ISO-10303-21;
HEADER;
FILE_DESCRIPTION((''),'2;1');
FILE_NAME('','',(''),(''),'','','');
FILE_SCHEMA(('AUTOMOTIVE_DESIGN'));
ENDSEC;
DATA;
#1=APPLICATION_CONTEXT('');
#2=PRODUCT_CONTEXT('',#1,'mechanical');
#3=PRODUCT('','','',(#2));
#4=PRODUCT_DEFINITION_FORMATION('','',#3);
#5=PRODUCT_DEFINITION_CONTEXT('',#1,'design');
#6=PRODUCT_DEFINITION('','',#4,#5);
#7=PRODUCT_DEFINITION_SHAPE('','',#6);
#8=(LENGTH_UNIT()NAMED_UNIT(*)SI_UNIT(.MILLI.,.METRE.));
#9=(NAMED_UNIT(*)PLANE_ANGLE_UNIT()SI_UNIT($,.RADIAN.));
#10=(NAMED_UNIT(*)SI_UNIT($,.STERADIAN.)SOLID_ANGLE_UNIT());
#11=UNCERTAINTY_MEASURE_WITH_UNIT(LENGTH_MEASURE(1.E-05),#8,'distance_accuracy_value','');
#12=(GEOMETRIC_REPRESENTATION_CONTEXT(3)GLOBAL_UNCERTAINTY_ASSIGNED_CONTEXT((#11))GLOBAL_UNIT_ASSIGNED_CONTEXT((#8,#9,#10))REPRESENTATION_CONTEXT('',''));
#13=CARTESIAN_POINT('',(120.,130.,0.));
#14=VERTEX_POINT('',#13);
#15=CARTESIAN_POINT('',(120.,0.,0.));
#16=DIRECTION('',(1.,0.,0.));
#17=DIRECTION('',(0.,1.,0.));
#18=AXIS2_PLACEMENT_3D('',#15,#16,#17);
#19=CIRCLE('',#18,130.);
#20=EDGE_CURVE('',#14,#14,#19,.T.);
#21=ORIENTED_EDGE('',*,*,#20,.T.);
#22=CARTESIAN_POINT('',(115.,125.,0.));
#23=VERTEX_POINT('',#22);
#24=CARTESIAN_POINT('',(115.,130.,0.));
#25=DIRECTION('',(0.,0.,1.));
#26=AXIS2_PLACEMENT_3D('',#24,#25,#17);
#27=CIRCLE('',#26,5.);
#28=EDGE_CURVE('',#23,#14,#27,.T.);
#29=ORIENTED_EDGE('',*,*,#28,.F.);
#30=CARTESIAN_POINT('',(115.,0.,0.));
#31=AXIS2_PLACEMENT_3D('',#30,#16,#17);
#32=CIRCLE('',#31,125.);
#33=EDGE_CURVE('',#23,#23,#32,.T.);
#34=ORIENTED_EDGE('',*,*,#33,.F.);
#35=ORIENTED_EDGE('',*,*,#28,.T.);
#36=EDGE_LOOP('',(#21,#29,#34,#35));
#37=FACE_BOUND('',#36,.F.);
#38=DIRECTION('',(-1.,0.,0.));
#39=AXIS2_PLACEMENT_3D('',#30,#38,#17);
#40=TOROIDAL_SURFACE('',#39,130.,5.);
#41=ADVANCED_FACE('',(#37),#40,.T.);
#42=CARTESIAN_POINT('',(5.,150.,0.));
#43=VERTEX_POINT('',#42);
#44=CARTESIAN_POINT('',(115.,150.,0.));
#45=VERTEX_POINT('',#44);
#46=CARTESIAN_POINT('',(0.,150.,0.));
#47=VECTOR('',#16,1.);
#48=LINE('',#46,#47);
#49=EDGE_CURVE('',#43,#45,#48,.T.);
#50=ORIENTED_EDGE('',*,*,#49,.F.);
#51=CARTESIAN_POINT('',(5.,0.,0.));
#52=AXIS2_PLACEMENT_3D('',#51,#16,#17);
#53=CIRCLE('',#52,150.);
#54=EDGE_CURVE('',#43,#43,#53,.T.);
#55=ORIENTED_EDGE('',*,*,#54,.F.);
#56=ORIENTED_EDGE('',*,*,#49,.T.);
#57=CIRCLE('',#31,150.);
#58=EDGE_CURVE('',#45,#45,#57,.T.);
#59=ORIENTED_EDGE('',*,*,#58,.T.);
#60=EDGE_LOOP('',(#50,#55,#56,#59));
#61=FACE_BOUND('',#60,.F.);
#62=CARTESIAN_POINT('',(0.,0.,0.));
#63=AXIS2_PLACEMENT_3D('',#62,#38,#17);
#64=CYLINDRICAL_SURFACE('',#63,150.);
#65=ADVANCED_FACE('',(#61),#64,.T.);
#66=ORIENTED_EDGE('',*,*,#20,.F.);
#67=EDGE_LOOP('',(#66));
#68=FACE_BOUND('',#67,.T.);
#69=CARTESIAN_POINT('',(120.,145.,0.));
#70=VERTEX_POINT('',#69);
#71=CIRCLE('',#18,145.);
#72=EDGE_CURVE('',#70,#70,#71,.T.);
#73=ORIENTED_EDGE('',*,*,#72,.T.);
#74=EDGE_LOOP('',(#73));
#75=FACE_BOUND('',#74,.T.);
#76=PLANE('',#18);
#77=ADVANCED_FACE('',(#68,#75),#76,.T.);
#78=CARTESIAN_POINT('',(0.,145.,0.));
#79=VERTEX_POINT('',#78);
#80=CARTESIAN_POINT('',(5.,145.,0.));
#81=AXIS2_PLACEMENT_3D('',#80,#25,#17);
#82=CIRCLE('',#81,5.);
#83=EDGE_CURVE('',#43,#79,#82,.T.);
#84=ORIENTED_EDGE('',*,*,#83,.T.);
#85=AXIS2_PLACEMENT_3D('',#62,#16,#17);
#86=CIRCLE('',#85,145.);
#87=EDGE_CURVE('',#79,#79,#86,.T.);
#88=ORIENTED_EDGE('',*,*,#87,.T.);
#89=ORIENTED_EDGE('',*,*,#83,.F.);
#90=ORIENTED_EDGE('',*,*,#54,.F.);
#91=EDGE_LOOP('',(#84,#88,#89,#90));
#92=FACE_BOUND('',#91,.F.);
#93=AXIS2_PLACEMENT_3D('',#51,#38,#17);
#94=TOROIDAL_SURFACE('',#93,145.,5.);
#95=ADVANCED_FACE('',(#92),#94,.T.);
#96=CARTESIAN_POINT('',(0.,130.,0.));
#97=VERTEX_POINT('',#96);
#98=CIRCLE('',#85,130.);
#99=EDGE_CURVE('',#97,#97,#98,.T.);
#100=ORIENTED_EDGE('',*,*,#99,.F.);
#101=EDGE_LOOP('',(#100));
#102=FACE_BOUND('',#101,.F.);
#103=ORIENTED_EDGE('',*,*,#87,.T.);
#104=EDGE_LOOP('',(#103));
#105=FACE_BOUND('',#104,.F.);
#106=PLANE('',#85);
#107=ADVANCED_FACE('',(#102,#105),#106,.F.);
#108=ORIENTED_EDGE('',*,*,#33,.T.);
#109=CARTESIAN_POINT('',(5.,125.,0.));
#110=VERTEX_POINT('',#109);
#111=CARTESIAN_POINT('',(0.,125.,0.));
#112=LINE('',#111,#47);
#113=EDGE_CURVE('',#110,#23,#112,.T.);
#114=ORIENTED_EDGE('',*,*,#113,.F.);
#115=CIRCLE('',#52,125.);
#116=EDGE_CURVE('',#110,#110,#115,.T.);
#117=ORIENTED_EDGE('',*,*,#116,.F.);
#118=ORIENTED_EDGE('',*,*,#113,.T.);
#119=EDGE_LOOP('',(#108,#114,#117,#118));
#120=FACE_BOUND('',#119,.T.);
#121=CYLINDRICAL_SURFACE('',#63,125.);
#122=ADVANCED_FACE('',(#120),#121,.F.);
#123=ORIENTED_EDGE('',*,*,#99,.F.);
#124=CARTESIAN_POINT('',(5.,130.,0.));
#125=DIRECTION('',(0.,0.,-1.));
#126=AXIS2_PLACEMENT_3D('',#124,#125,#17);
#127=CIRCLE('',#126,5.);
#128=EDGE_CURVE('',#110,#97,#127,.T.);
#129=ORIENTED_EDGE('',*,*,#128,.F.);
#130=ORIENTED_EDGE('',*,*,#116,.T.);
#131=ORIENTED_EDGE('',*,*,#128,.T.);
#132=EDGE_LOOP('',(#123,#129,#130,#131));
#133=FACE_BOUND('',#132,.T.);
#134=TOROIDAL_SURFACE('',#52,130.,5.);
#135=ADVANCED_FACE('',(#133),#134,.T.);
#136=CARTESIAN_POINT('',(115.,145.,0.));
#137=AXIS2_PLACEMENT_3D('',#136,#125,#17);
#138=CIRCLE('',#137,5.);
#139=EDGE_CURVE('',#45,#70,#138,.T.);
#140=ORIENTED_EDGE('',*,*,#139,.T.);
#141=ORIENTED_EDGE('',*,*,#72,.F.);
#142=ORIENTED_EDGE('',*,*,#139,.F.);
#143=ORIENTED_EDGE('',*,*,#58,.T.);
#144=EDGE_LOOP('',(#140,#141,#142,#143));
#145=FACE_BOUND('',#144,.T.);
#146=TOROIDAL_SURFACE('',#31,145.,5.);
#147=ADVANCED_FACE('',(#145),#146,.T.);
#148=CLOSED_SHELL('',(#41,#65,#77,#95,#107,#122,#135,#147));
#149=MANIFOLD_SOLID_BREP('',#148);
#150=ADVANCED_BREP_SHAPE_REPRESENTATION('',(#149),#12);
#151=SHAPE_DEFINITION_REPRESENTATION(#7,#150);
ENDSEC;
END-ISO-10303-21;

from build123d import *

# Parameters (mm, degrees)
F0_R     = 150
F0_R_2   = 125
F1_DEPTH = 120
F2_R     = 5


with BuildPart() as f1:
    # F0 (on Right) → F1 (new body)
    with BuildSketch(Plane.YZ):
        Circle(F0_R)
        Circle(F0_R_2, mode=Mode.SUBTRACT)
    extrude(amount=F1_DEPTH)

    # F2
    f2_edges = [f1.edges().sort_by_distance(p)[0] for p in [
        (120, -125, 0),
        (120, -150, 0),
        (0, -150, 0),
        (0, -125, 0),
    ]]
    fillet(f2_edges, radius=F2_R)


solid = f1.part
